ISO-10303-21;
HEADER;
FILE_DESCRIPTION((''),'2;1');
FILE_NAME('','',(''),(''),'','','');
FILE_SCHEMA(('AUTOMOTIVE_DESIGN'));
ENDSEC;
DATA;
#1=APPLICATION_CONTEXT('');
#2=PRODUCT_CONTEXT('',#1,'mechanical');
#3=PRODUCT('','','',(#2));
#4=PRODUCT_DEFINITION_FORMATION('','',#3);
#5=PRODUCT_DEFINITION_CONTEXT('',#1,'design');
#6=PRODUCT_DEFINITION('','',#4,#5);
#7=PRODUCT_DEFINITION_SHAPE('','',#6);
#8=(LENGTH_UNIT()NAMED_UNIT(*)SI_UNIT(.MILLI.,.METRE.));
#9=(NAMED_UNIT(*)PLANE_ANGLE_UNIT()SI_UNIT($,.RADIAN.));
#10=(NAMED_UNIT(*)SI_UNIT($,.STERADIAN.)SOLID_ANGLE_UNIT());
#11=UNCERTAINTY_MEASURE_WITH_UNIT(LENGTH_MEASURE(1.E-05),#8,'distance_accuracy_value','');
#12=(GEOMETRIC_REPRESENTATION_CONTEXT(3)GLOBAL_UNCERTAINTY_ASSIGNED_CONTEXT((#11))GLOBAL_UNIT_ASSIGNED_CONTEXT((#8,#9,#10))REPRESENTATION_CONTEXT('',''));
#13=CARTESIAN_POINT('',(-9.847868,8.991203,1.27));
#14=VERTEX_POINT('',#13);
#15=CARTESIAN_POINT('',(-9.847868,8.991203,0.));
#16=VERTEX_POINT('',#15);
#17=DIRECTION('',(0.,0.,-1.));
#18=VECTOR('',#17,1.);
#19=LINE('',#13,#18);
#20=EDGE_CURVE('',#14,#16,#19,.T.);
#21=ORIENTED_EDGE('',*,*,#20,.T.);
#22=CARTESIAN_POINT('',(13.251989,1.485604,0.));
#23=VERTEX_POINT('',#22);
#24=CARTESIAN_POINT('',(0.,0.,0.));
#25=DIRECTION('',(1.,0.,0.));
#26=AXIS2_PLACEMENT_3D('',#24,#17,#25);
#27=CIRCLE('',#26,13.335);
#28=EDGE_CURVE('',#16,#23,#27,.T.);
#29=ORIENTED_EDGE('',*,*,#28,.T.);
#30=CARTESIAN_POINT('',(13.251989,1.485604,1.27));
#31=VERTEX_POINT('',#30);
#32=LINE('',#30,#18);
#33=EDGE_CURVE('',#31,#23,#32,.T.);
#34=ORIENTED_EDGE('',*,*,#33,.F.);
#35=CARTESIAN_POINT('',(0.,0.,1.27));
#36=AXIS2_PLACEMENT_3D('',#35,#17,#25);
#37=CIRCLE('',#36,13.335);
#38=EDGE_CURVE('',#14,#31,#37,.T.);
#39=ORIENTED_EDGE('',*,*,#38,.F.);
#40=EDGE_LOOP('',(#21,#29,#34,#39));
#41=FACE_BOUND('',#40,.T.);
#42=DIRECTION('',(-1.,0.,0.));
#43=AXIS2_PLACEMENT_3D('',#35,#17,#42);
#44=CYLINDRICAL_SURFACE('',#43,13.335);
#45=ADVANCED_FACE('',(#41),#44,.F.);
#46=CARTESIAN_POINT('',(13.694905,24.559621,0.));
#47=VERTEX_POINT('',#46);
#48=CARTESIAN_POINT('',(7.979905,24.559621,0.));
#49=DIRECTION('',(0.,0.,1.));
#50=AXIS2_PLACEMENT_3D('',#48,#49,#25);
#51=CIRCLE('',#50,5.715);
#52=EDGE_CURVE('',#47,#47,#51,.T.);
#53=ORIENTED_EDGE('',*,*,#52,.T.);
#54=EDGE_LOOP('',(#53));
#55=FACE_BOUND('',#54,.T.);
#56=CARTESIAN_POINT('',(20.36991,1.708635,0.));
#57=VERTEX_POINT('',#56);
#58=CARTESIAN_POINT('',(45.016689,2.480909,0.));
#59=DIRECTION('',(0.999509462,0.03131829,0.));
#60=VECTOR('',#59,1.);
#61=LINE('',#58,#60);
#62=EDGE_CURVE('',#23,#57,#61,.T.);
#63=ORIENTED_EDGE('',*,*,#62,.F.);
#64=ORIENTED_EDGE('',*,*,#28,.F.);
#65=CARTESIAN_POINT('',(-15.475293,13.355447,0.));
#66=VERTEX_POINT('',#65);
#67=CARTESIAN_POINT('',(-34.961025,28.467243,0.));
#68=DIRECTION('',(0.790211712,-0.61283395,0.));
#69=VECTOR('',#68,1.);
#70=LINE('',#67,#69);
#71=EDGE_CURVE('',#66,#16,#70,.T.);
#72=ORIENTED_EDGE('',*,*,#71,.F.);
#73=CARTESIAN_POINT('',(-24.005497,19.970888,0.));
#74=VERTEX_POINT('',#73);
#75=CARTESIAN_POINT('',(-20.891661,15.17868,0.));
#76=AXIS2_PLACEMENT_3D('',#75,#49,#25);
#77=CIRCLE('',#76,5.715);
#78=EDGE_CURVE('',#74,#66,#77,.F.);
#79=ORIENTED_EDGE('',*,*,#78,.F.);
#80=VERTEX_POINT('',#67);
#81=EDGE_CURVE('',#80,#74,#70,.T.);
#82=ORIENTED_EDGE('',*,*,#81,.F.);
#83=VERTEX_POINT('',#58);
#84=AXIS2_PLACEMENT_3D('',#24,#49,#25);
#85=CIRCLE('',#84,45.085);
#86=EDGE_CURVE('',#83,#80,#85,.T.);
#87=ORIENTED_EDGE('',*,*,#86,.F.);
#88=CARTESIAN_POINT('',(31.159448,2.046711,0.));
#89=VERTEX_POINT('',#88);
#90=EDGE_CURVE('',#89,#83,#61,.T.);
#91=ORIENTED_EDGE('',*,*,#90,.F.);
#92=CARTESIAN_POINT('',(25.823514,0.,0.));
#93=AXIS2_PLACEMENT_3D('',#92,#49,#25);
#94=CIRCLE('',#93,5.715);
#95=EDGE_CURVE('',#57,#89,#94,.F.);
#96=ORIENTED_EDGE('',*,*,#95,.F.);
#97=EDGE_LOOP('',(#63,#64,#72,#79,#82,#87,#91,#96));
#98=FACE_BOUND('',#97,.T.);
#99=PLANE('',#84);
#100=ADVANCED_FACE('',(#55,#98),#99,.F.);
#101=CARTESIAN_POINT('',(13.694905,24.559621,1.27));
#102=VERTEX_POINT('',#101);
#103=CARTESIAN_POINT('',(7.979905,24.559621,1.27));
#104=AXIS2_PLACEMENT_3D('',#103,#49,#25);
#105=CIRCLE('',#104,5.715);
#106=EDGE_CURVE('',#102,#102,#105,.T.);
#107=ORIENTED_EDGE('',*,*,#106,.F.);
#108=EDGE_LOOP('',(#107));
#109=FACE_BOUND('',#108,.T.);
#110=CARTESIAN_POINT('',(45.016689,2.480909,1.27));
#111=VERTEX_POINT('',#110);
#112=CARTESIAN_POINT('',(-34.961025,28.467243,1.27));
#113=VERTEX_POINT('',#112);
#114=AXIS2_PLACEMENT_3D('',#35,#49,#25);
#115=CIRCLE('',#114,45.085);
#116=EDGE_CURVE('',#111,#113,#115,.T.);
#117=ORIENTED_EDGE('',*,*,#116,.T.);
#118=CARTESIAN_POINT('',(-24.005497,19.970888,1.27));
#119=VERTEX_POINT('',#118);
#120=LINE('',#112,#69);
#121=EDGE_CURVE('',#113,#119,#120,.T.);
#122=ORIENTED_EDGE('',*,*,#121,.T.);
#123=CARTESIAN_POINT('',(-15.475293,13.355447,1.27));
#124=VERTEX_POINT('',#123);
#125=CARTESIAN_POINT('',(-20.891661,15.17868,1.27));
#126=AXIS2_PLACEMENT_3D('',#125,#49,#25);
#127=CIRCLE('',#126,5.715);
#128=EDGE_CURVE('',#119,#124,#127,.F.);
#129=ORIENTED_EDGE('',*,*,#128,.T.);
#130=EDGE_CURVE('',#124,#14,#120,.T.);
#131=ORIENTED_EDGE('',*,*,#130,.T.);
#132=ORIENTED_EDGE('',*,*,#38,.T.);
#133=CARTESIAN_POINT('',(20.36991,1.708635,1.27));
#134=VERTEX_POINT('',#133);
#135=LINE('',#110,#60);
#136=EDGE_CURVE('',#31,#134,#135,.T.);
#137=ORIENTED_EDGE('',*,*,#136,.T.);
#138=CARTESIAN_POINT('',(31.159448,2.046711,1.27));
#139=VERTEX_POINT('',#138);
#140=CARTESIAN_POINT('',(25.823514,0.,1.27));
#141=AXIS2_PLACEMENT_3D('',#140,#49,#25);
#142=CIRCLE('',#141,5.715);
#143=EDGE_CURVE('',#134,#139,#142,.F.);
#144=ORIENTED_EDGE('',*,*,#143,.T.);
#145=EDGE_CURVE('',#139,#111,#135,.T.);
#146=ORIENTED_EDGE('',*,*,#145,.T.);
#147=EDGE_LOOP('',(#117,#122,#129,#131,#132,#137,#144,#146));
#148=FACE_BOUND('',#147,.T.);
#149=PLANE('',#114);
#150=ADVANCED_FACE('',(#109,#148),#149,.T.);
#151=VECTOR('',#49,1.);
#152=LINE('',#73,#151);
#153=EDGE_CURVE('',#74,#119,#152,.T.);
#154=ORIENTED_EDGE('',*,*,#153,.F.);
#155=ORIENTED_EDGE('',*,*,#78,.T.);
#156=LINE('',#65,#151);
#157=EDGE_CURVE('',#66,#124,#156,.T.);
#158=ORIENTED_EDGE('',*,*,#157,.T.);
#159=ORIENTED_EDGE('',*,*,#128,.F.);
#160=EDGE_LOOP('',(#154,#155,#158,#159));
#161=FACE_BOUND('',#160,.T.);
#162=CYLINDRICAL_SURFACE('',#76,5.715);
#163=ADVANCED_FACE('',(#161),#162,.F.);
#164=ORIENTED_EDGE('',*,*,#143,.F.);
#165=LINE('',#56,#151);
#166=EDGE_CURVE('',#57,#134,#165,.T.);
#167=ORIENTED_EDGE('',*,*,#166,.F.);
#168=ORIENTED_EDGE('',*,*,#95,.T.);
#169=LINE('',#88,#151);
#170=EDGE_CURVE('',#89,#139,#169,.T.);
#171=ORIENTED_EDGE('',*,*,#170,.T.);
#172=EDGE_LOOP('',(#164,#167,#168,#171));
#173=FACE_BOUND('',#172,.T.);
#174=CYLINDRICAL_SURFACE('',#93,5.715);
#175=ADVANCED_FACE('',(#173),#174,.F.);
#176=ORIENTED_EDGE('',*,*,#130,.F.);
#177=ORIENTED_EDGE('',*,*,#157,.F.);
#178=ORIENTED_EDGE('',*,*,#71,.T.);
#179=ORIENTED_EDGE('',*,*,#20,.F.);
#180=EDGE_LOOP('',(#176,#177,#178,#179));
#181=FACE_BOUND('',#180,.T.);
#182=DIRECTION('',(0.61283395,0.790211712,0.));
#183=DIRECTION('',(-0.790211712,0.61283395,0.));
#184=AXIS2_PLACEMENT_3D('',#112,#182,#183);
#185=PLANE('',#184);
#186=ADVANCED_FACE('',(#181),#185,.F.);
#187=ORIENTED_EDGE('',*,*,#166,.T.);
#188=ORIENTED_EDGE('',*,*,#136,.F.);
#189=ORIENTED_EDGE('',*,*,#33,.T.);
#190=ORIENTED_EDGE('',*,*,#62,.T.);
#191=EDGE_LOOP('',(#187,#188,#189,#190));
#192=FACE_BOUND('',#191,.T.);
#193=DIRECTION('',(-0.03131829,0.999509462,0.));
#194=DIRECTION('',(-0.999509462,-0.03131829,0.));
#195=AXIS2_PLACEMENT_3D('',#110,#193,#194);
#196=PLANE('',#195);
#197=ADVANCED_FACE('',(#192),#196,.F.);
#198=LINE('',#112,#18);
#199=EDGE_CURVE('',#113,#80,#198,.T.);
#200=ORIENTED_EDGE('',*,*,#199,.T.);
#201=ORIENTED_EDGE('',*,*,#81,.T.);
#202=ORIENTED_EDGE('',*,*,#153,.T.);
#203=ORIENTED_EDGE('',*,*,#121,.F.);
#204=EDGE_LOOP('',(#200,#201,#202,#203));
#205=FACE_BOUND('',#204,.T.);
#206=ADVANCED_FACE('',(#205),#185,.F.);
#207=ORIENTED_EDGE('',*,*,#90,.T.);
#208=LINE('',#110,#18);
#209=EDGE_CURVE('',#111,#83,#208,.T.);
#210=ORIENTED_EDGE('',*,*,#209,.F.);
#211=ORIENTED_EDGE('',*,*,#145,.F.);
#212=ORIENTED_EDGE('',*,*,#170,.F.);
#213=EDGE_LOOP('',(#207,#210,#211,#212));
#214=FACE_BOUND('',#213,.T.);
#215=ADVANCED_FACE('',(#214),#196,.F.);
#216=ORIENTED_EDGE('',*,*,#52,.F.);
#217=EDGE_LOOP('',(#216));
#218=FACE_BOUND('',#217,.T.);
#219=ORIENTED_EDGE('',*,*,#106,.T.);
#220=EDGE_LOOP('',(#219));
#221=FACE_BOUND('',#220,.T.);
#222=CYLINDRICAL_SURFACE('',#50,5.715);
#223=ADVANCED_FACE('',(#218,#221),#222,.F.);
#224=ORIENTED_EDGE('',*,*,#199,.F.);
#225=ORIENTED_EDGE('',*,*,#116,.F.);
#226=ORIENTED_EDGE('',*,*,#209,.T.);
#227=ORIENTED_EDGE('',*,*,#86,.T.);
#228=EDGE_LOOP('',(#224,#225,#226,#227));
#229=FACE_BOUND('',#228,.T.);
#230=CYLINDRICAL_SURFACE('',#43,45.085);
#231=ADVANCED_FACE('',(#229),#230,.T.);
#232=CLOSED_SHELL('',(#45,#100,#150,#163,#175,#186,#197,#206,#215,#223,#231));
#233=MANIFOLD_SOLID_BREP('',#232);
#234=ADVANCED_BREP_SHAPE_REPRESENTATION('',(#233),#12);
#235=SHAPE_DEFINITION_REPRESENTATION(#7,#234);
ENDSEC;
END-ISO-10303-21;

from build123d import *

# Parameters (mm, degrees)
BOSS_EXTRUDE1_DEPTH = 1.27
SKETCH15_R          = 5.715
CUT_EXTRUDE1_DEPTH  = 64.724190401


with BuildPart() as part:
    # Sketch13 → Boss-Extrude1 (new body)
    with BuildSketch(Plane.XY):
        with BuildLine():
            Line((-34.961025172, 28.467243349), (-9.847867764, 8.991202672))
            ThreePointArc((-9.847867764, 8.991202672), (4.12074162, 12.682338645), (13.251988711, 1.485604323))
            Line((13.251988711, 1.485604323), (45.016689319, 2.480908651))
            ThreePointArc((45.016689319, 2.480908651), (13.932031191, 42.878383037), (-34.961025172, 28.467243349))
        make_face()
    extrude(amount=BOSS_EXTRUDE1_DEPTH)

    # Sketch15 → Cut-Extrude1 (cut, through all)
    with BuildSketch(Plane.XY.offset(1.27)):
        with BuildLine():
            ThreePointArc((-15.475292944, 13.355447276), (-17.389315258, 19.694740336), (-24.005496972, 19.970887857))
            Line((-24.005496972, 19.970887857), (-15.475292944, 13.355447276))
        make_face()
        with Locations((7.979904528, 24.559620794)):
            Circle(SKETCH15_R)
        with BuildLine():
            ThreePointArc((31.159448366, 2.046710575), (25.644529482, 5.712196576), (20.369909931, 1.708634847))
            Line((20.369909931, 1.708634847), (31.159448366, 2.046710575))
        make_face()
    extrude(amount=-CUT_EXTRUDE1_DEPTH, mode=Mode.SUBTRACT)


solid = part.part
